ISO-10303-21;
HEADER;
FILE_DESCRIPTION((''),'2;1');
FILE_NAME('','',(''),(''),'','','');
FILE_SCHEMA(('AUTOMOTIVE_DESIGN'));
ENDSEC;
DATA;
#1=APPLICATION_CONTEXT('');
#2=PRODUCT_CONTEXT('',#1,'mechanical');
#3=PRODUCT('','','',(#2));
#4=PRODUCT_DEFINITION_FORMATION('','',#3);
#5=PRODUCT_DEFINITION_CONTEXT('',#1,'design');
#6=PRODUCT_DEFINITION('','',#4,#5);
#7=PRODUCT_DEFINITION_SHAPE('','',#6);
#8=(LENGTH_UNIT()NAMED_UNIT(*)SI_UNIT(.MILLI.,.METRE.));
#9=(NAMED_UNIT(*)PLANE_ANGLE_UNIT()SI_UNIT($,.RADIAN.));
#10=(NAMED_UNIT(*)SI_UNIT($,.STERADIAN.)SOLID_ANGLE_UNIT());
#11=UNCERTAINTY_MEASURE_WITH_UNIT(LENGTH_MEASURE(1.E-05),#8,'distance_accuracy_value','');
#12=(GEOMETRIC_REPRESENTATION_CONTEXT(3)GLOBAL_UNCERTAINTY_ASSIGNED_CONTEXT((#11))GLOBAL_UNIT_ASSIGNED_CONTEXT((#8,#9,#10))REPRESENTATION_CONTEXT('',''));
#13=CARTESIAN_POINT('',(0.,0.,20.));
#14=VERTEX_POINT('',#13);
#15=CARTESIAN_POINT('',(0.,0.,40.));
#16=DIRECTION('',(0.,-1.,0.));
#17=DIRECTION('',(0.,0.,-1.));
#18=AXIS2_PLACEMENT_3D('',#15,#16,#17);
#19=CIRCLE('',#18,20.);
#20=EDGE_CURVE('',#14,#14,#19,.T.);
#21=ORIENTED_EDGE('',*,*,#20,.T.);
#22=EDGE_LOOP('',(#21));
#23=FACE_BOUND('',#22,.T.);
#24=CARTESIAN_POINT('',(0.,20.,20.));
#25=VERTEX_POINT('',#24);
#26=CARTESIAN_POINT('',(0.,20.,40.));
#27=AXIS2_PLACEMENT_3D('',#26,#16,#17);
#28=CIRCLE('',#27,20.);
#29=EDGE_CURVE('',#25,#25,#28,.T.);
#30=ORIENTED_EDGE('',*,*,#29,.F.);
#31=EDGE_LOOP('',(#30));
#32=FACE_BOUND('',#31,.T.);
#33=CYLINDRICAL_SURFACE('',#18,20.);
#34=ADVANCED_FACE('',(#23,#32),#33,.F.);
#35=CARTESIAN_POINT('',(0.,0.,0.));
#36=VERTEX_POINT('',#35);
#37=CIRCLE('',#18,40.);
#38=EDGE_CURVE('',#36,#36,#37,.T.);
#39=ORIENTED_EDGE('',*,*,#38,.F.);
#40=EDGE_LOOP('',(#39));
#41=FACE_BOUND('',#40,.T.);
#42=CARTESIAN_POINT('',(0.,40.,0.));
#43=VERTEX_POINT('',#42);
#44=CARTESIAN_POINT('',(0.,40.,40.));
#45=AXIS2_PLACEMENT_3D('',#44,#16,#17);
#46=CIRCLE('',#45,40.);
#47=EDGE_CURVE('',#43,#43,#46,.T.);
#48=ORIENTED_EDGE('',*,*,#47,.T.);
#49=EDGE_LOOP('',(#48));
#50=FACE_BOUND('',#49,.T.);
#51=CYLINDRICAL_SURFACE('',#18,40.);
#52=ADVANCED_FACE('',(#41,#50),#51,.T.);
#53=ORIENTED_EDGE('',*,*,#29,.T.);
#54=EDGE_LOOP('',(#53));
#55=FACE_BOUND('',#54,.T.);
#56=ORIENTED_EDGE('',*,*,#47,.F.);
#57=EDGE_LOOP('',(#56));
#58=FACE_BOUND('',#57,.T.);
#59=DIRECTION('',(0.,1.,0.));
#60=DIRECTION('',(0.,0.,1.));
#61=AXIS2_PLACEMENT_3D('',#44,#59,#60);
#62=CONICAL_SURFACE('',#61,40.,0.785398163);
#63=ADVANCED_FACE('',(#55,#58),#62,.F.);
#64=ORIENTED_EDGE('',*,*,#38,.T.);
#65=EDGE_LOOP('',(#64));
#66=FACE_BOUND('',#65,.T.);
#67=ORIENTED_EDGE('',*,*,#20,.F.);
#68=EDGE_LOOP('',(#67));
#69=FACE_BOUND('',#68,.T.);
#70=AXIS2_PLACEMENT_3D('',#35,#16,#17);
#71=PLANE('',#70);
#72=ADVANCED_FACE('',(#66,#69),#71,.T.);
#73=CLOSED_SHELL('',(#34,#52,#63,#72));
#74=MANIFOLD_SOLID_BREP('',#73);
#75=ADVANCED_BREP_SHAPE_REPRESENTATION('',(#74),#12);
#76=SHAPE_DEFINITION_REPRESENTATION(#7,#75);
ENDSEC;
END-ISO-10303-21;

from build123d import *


with BuildPart() as part:
    # Sketch3 → Revolve1 (revolve)
    with BuildSketch(Plane(origin=(0, 0, 0), x_dir=(0, 0, -1), z_dir=(1, 0, 0))):
        Polygon((0, 0), (0, 40), (-20, 20), (-20, 0), align=None)
    revolve(axis=Axis((0, 0, 40), (0, 1, 0)))


solid = part.part
